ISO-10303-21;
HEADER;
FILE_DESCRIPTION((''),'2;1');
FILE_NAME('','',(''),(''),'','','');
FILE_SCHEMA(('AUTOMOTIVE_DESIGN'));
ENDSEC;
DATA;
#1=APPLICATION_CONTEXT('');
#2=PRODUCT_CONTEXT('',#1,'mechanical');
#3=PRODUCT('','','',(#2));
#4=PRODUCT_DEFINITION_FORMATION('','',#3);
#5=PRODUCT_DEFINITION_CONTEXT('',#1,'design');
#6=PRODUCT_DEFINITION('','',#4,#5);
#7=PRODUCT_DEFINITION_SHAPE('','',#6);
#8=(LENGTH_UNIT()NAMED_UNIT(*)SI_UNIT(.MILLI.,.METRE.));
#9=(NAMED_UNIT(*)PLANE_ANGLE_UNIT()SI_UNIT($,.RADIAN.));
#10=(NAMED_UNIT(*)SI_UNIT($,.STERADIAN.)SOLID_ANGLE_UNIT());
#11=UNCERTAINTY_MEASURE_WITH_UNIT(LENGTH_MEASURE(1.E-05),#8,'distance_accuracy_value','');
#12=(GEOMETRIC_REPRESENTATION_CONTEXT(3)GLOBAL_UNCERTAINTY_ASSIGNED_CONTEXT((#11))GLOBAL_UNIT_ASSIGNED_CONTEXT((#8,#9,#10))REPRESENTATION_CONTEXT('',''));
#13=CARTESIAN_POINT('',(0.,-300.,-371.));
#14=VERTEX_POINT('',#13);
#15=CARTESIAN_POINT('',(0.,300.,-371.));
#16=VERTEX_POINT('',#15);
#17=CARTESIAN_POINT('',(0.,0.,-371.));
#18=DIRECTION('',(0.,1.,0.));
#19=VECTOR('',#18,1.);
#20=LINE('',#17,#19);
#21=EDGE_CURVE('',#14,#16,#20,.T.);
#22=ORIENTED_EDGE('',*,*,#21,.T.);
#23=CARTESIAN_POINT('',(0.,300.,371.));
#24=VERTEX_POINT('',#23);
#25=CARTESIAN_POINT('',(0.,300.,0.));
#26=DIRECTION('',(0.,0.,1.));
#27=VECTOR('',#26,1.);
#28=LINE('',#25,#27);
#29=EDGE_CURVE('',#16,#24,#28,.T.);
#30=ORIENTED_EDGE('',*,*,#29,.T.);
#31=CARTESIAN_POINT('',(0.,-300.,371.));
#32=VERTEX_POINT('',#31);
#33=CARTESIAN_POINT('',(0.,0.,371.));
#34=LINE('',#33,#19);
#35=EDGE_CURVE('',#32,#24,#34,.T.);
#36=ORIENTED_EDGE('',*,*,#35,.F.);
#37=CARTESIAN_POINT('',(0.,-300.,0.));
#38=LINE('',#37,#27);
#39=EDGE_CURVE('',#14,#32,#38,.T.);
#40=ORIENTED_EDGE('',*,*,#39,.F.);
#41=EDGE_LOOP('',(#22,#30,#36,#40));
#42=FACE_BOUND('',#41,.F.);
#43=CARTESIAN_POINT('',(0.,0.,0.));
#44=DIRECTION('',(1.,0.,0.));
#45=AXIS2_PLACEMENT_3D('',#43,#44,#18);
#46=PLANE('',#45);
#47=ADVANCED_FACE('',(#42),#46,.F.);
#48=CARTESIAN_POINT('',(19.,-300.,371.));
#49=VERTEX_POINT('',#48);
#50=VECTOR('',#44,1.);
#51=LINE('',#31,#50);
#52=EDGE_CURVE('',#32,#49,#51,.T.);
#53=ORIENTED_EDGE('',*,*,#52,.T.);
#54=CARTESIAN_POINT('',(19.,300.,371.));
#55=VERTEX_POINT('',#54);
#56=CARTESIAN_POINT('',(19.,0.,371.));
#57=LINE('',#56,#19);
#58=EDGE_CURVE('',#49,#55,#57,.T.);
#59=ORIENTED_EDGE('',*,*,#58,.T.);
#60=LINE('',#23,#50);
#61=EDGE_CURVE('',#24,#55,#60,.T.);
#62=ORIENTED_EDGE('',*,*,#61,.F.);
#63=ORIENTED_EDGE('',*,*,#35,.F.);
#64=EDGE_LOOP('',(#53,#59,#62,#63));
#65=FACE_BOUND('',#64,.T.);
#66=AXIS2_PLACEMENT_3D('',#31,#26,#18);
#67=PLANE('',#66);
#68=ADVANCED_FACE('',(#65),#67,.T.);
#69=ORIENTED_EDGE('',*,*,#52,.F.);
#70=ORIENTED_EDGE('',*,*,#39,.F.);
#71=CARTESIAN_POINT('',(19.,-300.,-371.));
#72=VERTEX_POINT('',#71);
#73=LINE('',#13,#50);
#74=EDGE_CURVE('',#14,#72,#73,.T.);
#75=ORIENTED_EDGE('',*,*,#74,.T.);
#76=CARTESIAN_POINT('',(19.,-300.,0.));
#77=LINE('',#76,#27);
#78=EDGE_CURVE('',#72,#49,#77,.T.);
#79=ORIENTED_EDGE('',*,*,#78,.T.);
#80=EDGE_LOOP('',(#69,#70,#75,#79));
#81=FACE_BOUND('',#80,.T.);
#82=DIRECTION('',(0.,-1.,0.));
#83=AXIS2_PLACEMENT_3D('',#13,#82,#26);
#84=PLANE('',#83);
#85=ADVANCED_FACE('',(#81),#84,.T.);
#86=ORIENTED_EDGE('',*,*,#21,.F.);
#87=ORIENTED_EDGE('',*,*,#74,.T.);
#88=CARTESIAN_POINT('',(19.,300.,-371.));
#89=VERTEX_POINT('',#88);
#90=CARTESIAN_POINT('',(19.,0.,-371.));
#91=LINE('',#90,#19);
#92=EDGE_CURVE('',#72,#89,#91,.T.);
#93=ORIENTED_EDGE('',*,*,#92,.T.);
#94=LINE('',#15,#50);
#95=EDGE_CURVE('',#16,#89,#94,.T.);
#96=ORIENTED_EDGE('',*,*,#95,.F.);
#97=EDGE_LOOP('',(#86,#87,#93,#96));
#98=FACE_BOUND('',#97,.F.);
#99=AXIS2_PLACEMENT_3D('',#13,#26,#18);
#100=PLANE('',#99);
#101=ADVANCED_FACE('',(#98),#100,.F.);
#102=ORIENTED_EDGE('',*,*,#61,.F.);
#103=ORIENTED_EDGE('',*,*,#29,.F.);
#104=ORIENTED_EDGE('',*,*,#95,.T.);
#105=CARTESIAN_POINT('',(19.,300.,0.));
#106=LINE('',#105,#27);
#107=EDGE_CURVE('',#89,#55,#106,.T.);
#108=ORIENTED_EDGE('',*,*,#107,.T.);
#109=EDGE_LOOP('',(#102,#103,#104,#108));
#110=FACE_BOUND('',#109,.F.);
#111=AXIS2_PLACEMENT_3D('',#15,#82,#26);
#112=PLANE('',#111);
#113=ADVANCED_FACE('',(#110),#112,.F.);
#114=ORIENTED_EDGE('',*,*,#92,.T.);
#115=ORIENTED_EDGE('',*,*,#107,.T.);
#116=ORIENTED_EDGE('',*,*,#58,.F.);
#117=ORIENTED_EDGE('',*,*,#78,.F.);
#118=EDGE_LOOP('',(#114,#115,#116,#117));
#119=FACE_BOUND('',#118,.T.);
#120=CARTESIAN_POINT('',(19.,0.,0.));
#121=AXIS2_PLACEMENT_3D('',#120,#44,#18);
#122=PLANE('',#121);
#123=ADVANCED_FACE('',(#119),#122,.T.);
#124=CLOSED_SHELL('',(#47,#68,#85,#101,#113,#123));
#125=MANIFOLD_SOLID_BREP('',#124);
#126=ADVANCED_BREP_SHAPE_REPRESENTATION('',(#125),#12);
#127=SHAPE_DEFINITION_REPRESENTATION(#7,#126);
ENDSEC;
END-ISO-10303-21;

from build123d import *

# Parameters (mm, degrees)
SKETCH001_W  = 600
SKETCH001_H  = 742
PAD001_DEPTH = 19


with BuildPart() as part:
    # Sketch001 → Pad001 (new body)
    with BuildSketch(Plane.YZ):
        Rectangle(SKETCH001_W, SKETCH001_H)
    extrude(amount=PAD001_DEPTH)


solid = part.part
